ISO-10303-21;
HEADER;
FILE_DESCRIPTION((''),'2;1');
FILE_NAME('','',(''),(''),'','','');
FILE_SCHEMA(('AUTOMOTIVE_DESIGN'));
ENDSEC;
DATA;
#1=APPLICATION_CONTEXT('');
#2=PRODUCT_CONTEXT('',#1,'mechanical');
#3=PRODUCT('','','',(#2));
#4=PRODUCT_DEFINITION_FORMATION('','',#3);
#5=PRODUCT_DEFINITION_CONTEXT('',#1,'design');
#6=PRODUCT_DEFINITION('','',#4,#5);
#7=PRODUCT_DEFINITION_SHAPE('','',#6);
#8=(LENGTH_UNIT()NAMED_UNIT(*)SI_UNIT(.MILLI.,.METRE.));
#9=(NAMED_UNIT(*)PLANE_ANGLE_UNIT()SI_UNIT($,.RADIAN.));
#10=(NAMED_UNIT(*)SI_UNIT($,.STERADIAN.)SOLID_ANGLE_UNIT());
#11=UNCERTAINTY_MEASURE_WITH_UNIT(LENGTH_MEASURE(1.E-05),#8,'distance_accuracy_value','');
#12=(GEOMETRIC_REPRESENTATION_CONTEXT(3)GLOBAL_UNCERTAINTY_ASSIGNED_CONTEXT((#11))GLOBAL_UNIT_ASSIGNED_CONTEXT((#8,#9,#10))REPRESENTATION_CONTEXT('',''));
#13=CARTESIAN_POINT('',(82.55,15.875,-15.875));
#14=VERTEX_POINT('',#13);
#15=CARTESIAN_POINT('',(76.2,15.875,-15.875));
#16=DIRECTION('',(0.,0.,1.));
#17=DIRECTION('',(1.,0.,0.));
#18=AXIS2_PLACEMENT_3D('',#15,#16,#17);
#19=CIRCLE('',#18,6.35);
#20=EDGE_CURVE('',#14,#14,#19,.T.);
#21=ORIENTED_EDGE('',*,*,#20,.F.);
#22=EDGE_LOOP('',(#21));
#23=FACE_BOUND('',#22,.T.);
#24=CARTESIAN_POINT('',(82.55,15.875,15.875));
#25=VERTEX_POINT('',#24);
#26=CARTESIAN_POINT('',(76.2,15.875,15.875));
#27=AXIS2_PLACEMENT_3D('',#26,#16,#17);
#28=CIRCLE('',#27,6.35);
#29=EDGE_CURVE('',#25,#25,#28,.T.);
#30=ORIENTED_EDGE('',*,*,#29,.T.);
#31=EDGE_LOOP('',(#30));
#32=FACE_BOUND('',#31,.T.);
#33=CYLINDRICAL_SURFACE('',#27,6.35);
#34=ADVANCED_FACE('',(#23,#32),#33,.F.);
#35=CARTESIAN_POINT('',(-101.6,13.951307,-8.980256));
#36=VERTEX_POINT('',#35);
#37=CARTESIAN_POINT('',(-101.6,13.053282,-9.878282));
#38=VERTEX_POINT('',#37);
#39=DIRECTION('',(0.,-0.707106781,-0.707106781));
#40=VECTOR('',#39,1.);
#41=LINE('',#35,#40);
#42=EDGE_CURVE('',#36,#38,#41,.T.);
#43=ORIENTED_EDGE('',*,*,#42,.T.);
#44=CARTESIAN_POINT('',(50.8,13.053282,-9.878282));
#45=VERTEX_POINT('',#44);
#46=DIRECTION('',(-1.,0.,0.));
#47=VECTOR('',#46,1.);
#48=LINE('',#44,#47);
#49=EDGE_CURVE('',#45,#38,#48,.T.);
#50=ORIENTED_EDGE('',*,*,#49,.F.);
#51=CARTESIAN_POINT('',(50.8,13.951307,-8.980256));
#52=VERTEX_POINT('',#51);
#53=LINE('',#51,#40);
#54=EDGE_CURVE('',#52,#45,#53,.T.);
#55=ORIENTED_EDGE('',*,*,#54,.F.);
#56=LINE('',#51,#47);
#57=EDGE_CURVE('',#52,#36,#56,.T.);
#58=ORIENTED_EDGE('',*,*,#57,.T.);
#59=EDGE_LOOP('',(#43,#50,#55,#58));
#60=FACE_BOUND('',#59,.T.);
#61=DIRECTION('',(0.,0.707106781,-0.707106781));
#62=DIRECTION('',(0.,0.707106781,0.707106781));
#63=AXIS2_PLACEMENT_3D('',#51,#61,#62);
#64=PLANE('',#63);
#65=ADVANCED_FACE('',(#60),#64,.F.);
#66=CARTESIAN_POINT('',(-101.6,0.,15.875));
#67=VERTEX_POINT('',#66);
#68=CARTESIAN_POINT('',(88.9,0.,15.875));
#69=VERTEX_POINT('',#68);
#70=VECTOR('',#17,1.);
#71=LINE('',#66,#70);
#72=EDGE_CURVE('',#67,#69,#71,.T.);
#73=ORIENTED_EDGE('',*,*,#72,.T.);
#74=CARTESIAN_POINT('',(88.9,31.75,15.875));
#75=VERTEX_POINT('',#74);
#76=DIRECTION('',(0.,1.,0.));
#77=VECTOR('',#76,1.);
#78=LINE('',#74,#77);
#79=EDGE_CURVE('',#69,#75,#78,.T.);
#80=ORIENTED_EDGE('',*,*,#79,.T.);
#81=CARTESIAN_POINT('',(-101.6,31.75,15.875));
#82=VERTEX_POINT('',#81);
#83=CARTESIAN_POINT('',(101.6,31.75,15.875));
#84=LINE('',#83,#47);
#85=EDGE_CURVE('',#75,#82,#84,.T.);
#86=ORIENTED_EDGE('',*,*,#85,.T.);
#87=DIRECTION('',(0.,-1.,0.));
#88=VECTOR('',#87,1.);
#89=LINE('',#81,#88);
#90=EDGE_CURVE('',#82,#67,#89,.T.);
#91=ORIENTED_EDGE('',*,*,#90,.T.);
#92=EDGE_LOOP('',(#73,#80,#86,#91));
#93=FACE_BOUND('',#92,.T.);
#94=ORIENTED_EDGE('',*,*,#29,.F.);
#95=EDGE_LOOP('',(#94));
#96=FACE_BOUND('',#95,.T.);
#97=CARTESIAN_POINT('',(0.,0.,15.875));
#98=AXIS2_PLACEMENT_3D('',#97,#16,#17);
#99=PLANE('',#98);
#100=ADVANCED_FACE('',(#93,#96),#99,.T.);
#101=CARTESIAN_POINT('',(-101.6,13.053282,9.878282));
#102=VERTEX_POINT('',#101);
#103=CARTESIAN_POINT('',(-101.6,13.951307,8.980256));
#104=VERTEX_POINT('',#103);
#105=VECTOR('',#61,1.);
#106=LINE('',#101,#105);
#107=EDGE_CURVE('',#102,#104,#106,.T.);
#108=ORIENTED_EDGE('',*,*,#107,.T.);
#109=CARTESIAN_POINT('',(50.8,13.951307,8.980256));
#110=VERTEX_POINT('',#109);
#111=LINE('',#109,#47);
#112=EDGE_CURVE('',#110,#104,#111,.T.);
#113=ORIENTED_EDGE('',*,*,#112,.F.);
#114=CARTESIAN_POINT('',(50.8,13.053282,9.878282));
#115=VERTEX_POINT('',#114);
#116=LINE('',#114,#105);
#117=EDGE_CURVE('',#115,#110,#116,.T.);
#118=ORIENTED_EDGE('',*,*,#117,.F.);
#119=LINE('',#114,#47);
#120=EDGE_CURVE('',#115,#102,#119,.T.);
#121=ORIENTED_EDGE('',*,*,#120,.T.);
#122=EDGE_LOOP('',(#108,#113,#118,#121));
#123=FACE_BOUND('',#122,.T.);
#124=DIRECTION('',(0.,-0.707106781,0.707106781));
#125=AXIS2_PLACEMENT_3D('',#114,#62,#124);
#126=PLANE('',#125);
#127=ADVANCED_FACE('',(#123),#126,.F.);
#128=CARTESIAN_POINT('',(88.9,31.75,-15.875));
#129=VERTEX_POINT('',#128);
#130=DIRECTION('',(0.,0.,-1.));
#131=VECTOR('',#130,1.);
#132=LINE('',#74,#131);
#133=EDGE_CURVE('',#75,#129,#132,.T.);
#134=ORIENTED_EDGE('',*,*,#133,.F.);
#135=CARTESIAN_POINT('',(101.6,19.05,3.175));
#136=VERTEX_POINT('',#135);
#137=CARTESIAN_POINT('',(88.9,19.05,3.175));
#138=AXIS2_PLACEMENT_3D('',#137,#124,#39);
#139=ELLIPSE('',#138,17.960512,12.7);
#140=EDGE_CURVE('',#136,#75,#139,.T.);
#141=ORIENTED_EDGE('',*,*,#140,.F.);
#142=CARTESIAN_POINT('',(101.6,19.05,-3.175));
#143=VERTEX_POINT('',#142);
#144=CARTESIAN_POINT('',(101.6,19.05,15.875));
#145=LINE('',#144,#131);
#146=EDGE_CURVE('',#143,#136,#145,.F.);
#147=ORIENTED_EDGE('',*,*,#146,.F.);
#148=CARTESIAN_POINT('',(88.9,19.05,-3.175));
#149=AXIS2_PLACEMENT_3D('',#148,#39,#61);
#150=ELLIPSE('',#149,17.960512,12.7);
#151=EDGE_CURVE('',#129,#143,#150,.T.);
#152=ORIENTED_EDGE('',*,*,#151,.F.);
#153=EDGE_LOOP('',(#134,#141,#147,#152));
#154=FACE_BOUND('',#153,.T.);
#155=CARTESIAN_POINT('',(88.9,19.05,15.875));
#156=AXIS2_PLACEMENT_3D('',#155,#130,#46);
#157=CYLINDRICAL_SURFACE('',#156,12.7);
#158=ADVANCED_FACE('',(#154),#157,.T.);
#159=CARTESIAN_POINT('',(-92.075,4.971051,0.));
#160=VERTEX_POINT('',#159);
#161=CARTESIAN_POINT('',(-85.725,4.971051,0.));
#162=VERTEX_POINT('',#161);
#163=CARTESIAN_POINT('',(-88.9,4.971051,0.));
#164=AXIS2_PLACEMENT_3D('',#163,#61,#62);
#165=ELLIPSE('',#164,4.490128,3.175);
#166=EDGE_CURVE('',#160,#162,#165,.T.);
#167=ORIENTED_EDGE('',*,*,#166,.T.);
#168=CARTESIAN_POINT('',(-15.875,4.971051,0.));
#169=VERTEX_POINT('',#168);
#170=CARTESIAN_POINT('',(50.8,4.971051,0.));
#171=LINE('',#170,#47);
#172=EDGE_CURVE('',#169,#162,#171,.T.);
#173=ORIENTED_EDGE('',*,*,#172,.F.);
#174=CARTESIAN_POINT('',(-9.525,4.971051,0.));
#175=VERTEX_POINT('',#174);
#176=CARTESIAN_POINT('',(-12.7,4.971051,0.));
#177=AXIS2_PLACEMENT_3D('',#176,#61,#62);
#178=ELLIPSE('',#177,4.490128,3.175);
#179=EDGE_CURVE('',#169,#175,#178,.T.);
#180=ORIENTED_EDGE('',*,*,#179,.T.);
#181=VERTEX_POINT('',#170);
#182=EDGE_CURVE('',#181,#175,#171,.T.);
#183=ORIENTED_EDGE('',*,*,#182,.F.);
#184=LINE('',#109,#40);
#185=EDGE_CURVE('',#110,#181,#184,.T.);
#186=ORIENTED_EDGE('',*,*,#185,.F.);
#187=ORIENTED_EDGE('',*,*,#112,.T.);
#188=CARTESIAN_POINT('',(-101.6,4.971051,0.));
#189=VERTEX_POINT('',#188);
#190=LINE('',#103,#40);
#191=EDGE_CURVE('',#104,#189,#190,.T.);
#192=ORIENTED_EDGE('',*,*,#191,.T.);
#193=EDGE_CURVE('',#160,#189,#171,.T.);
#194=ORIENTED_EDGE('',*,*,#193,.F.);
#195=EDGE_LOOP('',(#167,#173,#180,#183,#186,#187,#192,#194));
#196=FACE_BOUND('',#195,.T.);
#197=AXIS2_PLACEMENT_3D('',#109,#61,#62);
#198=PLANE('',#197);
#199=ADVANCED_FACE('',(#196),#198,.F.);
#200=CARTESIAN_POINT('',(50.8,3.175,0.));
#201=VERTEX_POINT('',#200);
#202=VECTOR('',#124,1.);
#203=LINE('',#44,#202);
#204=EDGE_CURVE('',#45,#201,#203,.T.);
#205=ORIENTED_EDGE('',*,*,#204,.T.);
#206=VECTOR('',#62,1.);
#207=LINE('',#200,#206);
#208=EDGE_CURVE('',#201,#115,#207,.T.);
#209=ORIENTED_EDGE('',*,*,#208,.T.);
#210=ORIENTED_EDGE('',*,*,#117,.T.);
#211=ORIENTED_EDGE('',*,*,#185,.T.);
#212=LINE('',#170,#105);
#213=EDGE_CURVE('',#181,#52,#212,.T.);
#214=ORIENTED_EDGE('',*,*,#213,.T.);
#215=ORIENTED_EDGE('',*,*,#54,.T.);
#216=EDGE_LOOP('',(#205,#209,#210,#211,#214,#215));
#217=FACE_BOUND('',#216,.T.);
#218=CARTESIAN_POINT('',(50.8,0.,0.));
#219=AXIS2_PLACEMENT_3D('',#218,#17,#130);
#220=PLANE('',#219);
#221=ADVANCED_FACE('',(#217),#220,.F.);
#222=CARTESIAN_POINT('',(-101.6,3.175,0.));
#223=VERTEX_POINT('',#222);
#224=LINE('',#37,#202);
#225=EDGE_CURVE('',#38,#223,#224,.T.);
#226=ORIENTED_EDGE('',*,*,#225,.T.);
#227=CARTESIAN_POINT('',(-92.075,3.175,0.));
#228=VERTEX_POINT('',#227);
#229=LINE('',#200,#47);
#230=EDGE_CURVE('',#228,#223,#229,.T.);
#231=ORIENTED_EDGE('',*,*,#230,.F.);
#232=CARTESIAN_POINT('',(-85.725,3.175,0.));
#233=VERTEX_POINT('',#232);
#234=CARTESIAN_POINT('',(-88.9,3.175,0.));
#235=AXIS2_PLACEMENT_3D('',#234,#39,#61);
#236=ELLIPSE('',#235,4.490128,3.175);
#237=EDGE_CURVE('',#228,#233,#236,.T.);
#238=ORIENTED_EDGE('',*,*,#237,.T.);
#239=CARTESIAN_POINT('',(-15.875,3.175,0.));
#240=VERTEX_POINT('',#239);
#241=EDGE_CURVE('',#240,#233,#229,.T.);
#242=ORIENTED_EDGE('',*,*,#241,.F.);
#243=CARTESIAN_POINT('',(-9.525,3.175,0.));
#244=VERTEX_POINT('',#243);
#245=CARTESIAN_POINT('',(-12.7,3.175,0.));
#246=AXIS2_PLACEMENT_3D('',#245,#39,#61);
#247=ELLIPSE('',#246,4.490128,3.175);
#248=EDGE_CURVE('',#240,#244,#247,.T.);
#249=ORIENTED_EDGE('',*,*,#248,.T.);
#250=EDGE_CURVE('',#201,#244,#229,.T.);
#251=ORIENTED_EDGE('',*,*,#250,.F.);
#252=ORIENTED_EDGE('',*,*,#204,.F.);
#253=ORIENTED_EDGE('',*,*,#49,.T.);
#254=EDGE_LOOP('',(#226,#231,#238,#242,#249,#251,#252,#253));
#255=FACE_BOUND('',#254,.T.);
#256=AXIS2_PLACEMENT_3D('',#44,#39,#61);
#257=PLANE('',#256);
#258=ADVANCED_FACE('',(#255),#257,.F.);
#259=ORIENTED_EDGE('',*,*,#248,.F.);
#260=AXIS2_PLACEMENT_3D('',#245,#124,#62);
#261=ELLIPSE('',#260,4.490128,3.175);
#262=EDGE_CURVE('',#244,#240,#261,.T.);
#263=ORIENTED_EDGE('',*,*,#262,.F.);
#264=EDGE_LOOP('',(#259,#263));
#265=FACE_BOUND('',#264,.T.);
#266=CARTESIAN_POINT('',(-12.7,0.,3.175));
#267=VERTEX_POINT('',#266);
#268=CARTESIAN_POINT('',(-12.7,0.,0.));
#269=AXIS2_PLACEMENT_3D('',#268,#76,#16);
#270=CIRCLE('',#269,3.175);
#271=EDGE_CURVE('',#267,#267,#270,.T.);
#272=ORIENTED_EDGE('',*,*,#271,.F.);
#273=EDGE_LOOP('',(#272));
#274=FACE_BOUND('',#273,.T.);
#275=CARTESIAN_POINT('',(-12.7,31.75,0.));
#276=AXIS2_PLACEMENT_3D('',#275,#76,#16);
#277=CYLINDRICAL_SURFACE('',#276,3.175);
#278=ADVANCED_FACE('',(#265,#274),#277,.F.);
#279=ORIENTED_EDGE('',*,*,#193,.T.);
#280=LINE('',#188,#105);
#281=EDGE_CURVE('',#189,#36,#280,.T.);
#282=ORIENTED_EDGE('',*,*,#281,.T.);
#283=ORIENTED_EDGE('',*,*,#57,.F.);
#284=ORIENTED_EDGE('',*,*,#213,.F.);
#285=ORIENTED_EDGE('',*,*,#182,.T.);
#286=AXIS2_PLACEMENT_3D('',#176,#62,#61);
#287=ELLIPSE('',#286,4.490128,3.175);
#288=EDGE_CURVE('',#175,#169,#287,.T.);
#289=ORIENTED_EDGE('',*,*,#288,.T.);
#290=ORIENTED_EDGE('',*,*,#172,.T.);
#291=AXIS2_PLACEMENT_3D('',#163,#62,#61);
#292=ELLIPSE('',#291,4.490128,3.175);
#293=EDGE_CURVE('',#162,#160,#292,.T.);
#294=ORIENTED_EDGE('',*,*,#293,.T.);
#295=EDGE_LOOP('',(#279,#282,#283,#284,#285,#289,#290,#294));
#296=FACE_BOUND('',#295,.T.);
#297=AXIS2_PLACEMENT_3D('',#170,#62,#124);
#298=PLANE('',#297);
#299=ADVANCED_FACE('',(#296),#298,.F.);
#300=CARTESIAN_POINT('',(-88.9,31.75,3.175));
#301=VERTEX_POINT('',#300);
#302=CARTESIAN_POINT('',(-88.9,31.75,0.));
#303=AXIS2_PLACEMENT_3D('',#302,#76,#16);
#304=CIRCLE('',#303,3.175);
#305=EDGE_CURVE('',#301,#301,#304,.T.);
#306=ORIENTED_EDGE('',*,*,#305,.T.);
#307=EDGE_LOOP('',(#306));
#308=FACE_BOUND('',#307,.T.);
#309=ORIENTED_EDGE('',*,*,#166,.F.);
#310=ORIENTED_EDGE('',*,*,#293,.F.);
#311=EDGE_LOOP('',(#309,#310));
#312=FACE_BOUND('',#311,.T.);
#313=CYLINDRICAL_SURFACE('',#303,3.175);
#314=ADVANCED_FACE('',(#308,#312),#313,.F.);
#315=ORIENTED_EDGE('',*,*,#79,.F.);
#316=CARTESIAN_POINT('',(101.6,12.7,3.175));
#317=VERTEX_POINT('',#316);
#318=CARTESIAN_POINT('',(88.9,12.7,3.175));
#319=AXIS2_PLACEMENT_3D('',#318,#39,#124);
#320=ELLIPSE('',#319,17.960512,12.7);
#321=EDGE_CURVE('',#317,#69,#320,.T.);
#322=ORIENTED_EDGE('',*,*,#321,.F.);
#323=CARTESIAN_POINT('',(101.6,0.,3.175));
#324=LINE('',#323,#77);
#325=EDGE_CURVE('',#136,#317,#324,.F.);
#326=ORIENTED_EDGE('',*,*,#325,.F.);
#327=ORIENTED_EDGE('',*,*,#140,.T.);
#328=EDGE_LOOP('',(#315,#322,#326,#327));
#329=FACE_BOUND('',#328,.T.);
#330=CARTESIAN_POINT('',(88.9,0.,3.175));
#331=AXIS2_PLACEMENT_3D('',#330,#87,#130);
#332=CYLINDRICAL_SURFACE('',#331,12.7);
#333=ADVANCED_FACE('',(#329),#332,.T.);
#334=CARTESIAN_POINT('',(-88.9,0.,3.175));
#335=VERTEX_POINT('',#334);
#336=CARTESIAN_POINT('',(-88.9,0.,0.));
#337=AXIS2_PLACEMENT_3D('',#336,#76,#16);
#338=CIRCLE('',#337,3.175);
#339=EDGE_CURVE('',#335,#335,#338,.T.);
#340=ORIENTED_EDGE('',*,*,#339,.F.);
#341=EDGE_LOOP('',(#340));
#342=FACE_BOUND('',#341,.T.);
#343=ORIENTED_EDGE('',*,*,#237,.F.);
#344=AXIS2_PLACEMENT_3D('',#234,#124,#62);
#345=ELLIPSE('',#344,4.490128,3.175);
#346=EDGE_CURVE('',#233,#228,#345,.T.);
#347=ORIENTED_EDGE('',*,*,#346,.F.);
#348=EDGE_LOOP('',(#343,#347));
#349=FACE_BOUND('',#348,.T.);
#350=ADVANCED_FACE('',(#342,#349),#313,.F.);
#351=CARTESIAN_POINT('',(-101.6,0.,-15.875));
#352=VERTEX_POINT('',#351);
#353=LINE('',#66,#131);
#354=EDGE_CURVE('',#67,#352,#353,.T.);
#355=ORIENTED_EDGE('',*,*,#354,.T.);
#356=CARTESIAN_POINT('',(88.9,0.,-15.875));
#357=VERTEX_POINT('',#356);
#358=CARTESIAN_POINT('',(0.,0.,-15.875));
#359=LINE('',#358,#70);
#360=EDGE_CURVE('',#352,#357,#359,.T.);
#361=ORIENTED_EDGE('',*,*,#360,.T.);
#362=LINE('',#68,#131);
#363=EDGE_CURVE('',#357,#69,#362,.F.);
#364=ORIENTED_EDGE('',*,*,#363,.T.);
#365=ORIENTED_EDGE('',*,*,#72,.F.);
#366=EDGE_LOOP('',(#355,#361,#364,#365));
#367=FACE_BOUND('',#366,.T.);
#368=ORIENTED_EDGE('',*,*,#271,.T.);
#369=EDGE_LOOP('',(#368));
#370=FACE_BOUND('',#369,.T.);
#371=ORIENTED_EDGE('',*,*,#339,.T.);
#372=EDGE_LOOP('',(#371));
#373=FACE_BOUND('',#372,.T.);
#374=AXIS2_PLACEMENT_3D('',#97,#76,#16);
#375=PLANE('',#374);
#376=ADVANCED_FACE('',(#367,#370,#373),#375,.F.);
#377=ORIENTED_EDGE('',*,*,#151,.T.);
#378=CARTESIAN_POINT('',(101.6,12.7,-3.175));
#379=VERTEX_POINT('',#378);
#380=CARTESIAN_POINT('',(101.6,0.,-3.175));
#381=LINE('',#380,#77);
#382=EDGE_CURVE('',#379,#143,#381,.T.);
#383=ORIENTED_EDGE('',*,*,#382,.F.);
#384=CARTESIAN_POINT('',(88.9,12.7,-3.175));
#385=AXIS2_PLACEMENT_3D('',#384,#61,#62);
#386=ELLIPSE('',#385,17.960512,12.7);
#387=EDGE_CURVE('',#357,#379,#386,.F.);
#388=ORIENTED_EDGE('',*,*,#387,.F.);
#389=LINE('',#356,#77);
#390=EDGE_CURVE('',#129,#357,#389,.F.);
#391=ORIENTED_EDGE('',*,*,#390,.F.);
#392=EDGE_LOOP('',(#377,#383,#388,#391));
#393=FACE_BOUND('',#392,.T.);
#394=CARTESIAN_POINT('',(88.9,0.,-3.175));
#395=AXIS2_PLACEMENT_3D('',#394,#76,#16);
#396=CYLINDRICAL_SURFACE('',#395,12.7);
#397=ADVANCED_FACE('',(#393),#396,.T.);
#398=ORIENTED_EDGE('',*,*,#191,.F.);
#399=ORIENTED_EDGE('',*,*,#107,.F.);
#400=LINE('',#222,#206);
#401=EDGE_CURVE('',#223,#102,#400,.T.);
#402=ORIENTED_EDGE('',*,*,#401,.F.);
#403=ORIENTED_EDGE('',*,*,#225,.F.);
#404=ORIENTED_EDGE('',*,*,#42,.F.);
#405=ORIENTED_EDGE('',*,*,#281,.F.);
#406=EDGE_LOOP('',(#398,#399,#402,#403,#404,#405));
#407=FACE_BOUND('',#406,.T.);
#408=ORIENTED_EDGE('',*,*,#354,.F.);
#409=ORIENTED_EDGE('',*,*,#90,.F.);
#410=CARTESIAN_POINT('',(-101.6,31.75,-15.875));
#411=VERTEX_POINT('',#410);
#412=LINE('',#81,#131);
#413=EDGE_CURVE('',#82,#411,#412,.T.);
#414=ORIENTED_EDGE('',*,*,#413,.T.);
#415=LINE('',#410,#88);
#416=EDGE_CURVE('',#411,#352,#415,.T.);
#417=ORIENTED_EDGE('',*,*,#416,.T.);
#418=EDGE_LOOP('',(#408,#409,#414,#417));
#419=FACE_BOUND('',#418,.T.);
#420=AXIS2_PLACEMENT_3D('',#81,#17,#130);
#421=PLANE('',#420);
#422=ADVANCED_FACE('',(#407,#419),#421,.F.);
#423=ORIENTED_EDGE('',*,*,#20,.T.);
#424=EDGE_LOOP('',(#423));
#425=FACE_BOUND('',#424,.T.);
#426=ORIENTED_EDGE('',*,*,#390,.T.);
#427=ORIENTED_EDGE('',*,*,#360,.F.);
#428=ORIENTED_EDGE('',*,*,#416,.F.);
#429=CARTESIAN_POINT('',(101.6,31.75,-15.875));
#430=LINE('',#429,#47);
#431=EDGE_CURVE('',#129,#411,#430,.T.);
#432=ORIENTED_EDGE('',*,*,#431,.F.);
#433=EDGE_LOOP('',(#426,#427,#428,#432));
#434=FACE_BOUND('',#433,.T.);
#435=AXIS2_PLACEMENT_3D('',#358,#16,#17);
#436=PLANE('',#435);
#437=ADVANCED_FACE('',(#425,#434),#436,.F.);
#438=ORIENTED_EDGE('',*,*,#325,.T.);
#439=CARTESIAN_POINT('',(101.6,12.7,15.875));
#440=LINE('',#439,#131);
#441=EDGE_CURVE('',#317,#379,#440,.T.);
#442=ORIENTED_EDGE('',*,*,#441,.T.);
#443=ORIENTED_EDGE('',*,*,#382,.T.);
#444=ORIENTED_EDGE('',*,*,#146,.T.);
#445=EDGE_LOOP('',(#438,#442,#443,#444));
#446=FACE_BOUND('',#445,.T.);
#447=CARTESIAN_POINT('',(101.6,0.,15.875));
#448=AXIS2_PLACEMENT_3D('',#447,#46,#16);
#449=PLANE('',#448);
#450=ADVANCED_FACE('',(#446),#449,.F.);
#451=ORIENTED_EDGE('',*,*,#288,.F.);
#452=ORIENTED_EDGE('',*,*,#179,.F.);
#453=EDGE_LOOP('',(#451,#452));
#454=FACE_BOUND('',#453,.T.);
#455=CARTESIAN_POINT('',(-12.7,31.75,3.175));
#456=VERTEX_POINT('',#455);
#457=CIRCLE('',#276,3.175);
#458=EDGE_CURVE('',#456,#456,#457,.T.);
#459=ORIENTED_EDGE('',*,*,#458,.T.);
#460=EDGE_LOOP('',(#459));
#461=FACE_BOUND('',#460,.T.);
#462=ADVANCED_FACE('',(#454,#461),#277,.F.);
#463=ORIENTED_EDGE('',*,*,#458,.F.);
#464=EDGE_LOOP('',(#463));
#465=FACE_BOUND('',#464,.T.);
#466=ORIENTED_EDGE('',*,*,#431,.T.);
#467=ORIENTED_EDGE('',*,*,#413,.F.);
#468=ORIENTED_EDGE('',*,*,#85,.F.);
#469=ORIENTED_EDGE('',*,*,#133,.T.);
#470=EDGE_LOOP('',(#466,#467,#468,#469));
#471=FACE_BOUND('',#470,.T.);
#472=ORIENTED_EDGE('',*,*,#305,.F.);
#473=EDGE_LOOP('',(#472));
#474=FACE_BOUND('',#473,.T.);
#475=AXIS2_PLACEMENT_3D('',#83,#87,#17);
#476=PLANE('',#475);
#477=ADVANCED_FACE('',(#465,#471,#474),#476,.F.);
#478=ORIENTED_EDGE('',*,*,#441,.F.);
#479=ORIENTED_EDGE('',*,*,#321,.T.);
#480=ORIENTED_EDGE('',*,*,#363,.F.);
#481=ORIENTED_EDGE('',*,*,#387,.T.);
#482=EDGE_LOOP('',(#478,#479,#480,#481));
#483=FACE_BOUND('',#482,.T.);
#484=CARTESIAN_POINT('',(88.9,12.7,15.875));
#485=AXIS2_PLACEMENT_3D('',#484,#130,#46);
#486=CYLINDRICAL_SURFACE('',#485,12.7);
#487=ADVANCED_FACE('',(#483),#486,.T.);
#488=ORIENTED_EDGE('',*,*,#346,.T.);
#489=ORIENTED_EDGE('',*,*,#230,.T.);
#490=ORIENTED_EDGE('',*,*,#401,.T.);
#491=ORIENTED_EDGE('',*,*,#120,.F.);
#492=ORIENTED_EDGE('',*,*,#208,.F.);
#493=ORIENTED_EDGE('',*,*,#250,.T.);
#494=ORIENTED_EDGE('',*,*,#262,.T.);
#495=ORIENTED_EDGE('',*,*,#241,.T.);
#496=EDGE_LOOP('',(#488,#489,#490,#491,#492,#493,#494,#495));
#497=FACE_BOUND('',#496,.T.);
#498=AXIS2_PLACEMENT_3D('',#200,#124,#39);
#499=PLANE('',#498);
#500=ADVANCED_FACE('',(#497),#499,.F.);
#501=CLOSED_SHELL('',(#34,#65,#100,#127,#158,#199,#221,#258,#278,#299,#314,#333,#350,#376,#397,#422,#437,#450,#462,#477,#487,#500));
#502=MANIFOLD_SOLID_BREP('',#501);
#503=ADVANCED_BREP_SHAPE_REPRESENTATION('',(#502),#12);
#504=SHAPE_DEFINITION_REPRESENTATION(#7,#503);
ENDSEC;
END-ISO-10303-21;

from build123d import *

# Parameters (mm, degrees)
BOSS_EXTRUDE1_DEPTH         = 15.875
CUT_EXTRUDE1_DEPTH          = 152.4
F_1_2_0_5_DIAMETER_HOLE1_D  = 12.7
F_1_4_0_25_DIAMETER_HOLE1_D = 6.35
FILLET1_R                   = 12.7


with BuildPart() as part:
    # Sketch1 → Boss-Extrude1 (new, symmetric)
    with BuildSketch(Plane.XY):
        Polygon((0, 0), (101.6, 0), (101.6, 31.75), (-101.6, 31.75), (-101.6, 0), align=None)
    extrude(amount=BOSS_EXTRUDE1_DEPTH, both=True)

    # Sketch2 → Cut-Extrude1 (cut)
    with BuildSketch(Plane.ZY.offset(101.6)):
        Polygon((0, 4.971051224), (-8.980256121, 13.951307345), (-9.878281733, 13.053281733), (0, 3.175), (9.878281733, 13.053281733), (8.980256121, 13.951307345), align=None)
    extrude(amount=-CUT_EXTRUDE1_DEPTH, mode=Mode.SUBTRACT)

    # 1/2 (0.5) Diameter Hole1 (through all)
    with Locations(Plane.XY.offset(15.875)):
        with Locations((76.2, 15.875)):
            Hole(F_1_2_0_5_DIAMETER_HOLE1_D / 2)

    # 1/4 (0.25) Diameter Hole1 (through all)
    with Locations(Plane(origin=(0, 31.75, 0), x_dir=(1, 0, 0), z_dir=(0, 1, 0))):
        with Locations((-88.9, 0), (-12.7, 0)):
            Hole(F_1_4_0_25_DIAMETER_HOLE1_D / 2)

    # Fillet1
    fillet1_edges = [part.edges().sort_by_distance(p)[0] for p in [
        (101.6, 15.875, 15.875),
        (101.6, 15.875, -15.875),
        (101.6, 31.75, 0),
        (101.6, 0, 0),
    ]]
    fillet(fillet1_edges, radius=FILLET1_R)


solid = part.part
